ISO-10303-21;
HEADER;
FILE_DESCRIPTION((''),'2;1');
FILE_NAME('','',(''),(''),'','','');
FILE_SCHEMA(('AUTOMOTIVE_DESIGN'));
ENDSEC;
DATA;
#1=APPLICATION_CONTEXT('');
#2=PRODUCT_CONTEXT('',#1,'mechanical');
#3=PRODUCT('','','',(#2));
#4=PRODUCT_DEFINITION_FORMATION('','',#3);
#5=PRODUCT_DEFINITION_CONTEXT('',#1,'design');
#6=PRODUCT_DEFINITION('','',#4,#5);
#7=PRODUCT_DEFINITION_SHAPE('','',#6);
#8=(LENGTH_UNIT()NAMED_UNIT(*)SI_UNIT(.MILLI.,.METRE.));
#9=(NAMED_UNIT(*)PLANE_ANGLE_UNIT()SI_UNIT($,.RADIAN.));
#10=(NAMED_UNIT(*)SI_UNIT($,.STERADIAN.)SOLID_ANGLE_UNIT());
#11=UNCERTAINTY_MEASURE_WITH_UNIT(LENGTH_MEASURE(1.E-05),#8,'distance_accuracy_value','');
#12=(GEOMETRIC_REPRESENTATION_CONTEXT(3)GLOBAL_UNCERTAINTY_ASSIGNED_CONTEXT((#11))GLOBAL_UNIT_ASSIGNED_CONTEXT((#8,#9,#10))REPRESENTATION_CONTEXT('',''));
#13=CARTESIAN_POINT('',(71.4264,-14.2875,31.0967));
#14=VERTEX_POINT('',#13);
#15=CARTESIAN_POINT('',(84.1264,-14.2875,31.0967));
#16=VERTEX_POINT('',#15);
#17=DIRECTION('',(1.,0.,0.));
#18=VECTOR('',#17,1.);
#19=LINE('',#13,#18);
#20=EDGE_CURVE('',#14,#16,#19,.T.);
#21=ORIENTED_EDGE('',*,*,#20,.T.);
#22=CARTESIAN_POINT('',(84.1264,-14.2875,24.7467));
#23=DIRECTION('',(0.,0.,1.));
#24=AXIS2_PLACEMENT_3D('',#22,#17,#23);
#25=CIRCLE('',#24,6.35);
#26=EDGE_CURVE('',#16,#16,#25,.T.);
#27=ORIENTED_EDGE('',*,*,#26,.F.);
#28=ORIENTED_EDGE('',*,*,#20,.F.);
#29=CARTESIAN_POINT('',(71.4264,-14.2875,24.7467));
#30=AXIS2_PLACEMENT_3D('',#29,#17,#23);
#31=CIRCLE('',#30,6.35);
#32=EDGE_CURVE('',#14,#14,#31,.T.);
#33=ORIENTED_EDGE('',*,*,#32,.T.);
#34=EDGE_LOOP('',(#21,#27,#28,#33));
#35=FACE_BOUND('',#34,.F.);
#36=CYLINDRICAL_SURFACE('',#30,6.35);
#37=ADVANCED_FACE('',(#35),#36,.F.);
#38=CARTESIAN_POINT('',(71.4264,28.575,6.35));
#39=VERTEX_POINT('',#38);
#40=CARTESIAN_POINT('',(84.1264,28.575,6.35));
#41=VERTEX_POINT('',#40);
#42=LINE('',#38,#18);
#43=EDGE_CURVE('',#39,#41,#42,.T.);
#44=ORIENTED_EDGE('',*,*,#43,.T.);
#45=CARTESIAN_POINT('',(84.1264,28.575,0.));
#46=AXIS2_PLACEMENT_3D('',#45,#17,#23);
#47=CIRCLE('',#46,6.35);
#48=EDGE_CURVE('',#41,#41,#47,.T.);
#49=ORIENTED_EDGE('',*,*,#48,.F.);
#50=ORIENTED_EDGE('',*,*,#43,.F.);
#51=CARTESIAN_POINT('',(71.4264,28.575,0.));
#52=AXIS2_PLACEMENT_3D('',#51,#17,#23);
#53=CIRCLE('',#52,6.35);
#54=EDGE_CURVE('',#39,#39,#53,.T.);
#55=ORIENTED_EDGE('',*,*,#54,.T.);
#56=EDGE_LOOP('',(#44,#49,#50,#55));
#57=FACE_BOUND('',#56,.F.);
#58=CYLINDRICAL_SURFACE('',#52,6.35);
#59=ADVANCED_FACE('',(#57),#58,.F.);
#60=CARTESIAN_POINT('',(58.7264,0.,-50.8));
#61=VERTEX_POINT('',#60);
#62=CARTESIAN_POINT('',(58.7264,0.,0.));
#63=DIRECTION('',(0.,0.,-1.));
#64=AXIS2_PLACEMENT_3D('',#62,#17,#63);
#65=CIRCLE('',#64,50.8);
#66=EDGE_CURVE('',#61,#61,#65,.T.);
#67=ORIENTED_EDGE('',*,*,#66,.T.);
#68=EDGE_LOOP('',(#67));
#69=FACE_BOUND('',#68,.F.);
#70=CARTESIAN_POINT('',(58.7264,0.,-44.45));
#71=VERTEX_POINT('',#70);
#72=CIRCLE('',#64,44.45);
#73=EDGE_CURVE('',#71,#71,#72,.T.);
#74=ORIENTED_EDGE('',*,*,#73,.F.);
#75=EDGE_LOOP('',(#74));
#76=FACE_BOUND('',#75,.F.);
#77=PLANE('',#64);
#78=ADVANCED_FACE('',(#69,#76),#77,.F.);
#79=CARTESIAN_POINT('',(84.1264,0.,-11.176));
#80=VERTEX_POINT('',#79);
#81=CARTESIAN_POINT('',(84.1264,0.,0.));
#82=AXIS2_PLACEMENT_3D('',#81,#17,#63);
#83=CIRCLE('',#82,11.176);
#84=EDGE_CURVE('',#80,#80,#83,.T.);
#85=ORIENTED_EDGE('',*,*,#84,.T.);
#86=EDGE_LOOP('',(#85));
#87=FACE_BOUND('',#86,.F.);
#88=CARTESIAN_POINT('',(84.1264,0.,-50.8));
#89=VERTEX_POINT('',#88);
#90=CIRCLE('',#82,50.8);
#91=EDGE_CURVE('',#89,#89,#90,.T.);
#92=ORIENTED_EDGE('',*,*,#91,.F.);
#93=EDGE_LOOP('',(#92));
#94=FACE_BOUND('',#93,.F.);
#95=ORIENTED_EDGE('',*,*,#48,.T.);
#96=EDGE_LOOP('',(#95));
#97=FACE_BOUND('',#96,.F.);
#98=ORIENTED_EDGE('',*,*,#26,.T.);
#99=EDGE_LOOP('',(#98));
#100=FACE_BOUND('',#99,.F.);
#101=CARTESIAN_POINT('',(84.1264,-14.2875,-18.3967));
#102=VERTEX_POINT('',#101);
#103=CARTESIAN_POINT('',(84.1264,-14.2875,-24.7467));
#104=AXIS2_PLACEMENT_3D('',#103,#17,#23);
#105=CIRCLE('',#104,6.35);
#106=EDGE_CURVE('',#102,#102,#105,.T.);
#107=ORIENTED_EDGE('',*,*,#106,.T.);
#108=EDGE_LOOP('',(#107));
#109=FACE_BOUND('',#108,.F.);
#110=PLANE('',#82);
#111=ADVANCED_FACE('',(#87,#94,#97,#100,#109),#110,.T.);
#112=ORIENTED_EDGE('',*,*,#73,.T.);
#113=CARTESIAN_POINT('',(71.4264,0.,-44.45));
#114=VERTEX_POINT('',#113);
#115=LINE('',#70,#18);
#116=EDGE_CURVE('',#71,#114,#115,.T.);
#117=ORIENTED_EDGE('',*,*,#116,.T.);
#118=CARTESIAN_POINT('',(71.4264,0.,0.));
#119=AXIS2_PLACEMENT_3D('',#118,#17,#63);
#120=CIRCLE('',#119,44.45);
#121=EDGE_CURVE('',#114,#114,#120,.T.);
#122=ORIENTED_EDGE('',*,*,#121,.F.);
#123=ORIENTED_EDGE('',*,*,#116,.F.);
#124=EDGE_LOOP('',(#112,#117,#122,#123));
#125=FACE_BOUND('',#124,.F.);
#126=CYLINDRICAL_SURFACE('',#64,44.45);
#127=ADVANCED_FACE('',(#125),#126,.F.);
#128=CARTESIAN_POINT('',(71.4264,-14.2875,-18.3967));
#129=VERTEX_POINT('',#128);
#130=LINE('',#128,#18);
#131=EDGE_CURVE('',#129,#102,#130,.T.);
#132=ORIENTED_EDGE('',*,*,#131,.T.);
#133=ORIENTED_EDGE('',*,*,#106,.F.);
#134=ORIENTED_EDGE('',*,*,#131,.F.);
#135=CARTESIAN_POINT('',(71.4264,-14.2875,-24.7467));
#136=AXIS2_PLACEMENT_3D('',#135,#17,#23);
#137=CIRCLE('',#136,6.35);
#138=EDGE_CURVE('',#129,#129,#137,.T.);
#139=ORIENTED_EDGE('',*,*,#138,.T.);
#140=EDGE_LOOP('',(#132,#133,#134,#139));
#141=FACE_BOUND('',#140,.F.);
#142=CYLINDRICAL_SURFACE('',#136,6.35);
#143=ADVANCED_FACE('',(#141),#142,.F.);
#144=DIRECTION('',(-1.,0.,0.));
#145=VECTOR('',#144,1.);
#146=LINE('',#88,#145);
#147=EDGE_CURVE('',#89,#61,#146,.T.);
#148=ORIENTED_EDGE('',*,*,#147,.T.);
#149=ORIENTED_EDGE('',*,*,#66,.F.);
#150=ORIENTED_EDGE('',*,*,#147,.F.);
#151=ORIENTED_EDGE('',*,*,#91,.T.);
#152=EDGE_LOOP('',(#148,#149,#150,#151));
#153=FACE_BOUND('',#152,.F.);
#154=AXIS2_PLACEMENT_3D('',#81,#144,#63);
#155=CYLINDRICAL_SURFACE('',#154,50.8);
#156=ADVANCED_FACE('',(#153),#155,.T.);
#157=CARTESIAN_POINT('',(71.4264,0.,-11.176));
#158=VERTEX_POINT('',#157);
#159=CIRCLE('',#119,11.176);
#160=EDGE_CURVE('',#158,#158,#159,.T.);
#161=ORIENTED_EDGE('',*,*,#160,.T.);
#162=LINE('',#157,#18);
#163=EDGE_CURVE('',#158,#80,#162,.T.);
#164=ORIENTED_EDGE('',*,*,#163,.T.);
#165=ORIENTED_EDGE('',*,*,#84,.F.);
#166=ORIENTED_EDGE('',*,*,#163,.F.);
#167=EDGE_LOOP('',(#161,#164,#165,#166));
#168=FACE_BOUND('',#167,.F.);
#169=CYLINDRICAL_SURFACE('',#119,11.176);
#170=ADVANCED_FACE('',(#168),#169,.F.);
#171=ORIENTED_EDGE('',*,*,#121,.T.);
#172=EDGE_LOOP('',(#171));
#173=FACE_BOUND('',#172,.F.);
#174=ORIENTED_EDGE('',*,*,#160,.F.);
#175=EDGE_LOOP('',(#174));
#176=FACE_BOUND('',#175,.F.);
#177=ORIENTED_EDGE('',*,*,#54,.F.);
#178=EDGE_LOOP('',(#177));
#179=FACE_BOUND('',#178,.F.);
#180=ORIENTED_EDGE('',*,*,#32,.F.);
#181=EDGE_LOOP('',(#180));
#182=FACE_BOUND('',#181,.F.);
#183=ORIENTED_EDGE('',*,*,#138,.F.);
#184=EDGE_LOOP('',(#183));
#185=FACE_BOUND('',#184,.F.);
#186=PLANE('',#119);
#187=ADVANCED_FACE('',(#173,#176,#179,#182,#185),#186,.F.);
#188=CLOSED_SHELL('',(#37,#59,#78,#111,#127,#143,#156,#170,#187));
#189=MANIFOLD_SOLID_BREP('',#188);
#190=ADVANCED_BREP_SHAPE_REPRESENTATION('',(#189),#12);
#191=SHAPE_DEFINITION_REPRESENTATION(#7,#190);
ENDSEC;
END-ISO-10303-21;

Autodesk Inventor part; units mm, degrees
ref_plane "YZ Plane" through (0, 0, 0) normal (1, 0, 0) x (0, 1, 0)
ref_plane "XZ Plane" through (0, 0, 0) normal (0, 1, 0) x (-1, 0, 0)
ref_plane "XY Plane" through (0, 0, 0) normal (0, 0, 1) x (1, 0, 0)
sketch "Sketch1" plane through (0, 0, 0) normal (0, 1, 0) x (-1, 0, 0)
  line L0 (0, 0) -> (-101.6, 0)
  line L1 (-84.1264, -11.176) -> (-84.1264, -50.8)
  line L2 (-84.1264, -50.8) -> (-58.7264, -50.8)
  line L3 (-58.7264, -50.8) -> (-58.7264, -44.45)
  line L4 (-58.7264, -44.45) -> (-71.4264, -44.45)
  line L5 (-71.4264, -44.45) -> (-71.4264, -11.176)
  line L6 (-71.4264, -11.176) -> (-84.1264, -11.176)
  dimension "d0" = 101.6
  dimension "d1" = 11.176
  dimension "d2" = 50.8
  dimension "d3" = 6.35
  dimension "d4" = 25.4
  dimension "d5" = 12.7
  dimension "d6" = 71.4264
revolve "Revolution1" add sketch "Sketch1" angle 360 about axis through (0, 0, 0) along (1, 0, 0)
sketch "Sketch2" plane through (71.4264, 0, 0) normal (-1, 0, 0) x (0, 0, 1)
  circle A0 centre (0, 0) radius 28.575
  point P0 (0, 28.575)
  point P1 (-24.7467, -14.2875)
  point P2 (24.7467, -14.2875)
  dimension "d8" = 57.15
  dimension "d11" = 360
hole "Hole1" at (71.4264, 28.575, 0) at (71.4264, -14.2875, -24.7467) at (71.4264, -14.2875, 24.7467) direction (1, 0, 0) diameter 12.7 end through all
properties part number "Figure 6_16_N"
